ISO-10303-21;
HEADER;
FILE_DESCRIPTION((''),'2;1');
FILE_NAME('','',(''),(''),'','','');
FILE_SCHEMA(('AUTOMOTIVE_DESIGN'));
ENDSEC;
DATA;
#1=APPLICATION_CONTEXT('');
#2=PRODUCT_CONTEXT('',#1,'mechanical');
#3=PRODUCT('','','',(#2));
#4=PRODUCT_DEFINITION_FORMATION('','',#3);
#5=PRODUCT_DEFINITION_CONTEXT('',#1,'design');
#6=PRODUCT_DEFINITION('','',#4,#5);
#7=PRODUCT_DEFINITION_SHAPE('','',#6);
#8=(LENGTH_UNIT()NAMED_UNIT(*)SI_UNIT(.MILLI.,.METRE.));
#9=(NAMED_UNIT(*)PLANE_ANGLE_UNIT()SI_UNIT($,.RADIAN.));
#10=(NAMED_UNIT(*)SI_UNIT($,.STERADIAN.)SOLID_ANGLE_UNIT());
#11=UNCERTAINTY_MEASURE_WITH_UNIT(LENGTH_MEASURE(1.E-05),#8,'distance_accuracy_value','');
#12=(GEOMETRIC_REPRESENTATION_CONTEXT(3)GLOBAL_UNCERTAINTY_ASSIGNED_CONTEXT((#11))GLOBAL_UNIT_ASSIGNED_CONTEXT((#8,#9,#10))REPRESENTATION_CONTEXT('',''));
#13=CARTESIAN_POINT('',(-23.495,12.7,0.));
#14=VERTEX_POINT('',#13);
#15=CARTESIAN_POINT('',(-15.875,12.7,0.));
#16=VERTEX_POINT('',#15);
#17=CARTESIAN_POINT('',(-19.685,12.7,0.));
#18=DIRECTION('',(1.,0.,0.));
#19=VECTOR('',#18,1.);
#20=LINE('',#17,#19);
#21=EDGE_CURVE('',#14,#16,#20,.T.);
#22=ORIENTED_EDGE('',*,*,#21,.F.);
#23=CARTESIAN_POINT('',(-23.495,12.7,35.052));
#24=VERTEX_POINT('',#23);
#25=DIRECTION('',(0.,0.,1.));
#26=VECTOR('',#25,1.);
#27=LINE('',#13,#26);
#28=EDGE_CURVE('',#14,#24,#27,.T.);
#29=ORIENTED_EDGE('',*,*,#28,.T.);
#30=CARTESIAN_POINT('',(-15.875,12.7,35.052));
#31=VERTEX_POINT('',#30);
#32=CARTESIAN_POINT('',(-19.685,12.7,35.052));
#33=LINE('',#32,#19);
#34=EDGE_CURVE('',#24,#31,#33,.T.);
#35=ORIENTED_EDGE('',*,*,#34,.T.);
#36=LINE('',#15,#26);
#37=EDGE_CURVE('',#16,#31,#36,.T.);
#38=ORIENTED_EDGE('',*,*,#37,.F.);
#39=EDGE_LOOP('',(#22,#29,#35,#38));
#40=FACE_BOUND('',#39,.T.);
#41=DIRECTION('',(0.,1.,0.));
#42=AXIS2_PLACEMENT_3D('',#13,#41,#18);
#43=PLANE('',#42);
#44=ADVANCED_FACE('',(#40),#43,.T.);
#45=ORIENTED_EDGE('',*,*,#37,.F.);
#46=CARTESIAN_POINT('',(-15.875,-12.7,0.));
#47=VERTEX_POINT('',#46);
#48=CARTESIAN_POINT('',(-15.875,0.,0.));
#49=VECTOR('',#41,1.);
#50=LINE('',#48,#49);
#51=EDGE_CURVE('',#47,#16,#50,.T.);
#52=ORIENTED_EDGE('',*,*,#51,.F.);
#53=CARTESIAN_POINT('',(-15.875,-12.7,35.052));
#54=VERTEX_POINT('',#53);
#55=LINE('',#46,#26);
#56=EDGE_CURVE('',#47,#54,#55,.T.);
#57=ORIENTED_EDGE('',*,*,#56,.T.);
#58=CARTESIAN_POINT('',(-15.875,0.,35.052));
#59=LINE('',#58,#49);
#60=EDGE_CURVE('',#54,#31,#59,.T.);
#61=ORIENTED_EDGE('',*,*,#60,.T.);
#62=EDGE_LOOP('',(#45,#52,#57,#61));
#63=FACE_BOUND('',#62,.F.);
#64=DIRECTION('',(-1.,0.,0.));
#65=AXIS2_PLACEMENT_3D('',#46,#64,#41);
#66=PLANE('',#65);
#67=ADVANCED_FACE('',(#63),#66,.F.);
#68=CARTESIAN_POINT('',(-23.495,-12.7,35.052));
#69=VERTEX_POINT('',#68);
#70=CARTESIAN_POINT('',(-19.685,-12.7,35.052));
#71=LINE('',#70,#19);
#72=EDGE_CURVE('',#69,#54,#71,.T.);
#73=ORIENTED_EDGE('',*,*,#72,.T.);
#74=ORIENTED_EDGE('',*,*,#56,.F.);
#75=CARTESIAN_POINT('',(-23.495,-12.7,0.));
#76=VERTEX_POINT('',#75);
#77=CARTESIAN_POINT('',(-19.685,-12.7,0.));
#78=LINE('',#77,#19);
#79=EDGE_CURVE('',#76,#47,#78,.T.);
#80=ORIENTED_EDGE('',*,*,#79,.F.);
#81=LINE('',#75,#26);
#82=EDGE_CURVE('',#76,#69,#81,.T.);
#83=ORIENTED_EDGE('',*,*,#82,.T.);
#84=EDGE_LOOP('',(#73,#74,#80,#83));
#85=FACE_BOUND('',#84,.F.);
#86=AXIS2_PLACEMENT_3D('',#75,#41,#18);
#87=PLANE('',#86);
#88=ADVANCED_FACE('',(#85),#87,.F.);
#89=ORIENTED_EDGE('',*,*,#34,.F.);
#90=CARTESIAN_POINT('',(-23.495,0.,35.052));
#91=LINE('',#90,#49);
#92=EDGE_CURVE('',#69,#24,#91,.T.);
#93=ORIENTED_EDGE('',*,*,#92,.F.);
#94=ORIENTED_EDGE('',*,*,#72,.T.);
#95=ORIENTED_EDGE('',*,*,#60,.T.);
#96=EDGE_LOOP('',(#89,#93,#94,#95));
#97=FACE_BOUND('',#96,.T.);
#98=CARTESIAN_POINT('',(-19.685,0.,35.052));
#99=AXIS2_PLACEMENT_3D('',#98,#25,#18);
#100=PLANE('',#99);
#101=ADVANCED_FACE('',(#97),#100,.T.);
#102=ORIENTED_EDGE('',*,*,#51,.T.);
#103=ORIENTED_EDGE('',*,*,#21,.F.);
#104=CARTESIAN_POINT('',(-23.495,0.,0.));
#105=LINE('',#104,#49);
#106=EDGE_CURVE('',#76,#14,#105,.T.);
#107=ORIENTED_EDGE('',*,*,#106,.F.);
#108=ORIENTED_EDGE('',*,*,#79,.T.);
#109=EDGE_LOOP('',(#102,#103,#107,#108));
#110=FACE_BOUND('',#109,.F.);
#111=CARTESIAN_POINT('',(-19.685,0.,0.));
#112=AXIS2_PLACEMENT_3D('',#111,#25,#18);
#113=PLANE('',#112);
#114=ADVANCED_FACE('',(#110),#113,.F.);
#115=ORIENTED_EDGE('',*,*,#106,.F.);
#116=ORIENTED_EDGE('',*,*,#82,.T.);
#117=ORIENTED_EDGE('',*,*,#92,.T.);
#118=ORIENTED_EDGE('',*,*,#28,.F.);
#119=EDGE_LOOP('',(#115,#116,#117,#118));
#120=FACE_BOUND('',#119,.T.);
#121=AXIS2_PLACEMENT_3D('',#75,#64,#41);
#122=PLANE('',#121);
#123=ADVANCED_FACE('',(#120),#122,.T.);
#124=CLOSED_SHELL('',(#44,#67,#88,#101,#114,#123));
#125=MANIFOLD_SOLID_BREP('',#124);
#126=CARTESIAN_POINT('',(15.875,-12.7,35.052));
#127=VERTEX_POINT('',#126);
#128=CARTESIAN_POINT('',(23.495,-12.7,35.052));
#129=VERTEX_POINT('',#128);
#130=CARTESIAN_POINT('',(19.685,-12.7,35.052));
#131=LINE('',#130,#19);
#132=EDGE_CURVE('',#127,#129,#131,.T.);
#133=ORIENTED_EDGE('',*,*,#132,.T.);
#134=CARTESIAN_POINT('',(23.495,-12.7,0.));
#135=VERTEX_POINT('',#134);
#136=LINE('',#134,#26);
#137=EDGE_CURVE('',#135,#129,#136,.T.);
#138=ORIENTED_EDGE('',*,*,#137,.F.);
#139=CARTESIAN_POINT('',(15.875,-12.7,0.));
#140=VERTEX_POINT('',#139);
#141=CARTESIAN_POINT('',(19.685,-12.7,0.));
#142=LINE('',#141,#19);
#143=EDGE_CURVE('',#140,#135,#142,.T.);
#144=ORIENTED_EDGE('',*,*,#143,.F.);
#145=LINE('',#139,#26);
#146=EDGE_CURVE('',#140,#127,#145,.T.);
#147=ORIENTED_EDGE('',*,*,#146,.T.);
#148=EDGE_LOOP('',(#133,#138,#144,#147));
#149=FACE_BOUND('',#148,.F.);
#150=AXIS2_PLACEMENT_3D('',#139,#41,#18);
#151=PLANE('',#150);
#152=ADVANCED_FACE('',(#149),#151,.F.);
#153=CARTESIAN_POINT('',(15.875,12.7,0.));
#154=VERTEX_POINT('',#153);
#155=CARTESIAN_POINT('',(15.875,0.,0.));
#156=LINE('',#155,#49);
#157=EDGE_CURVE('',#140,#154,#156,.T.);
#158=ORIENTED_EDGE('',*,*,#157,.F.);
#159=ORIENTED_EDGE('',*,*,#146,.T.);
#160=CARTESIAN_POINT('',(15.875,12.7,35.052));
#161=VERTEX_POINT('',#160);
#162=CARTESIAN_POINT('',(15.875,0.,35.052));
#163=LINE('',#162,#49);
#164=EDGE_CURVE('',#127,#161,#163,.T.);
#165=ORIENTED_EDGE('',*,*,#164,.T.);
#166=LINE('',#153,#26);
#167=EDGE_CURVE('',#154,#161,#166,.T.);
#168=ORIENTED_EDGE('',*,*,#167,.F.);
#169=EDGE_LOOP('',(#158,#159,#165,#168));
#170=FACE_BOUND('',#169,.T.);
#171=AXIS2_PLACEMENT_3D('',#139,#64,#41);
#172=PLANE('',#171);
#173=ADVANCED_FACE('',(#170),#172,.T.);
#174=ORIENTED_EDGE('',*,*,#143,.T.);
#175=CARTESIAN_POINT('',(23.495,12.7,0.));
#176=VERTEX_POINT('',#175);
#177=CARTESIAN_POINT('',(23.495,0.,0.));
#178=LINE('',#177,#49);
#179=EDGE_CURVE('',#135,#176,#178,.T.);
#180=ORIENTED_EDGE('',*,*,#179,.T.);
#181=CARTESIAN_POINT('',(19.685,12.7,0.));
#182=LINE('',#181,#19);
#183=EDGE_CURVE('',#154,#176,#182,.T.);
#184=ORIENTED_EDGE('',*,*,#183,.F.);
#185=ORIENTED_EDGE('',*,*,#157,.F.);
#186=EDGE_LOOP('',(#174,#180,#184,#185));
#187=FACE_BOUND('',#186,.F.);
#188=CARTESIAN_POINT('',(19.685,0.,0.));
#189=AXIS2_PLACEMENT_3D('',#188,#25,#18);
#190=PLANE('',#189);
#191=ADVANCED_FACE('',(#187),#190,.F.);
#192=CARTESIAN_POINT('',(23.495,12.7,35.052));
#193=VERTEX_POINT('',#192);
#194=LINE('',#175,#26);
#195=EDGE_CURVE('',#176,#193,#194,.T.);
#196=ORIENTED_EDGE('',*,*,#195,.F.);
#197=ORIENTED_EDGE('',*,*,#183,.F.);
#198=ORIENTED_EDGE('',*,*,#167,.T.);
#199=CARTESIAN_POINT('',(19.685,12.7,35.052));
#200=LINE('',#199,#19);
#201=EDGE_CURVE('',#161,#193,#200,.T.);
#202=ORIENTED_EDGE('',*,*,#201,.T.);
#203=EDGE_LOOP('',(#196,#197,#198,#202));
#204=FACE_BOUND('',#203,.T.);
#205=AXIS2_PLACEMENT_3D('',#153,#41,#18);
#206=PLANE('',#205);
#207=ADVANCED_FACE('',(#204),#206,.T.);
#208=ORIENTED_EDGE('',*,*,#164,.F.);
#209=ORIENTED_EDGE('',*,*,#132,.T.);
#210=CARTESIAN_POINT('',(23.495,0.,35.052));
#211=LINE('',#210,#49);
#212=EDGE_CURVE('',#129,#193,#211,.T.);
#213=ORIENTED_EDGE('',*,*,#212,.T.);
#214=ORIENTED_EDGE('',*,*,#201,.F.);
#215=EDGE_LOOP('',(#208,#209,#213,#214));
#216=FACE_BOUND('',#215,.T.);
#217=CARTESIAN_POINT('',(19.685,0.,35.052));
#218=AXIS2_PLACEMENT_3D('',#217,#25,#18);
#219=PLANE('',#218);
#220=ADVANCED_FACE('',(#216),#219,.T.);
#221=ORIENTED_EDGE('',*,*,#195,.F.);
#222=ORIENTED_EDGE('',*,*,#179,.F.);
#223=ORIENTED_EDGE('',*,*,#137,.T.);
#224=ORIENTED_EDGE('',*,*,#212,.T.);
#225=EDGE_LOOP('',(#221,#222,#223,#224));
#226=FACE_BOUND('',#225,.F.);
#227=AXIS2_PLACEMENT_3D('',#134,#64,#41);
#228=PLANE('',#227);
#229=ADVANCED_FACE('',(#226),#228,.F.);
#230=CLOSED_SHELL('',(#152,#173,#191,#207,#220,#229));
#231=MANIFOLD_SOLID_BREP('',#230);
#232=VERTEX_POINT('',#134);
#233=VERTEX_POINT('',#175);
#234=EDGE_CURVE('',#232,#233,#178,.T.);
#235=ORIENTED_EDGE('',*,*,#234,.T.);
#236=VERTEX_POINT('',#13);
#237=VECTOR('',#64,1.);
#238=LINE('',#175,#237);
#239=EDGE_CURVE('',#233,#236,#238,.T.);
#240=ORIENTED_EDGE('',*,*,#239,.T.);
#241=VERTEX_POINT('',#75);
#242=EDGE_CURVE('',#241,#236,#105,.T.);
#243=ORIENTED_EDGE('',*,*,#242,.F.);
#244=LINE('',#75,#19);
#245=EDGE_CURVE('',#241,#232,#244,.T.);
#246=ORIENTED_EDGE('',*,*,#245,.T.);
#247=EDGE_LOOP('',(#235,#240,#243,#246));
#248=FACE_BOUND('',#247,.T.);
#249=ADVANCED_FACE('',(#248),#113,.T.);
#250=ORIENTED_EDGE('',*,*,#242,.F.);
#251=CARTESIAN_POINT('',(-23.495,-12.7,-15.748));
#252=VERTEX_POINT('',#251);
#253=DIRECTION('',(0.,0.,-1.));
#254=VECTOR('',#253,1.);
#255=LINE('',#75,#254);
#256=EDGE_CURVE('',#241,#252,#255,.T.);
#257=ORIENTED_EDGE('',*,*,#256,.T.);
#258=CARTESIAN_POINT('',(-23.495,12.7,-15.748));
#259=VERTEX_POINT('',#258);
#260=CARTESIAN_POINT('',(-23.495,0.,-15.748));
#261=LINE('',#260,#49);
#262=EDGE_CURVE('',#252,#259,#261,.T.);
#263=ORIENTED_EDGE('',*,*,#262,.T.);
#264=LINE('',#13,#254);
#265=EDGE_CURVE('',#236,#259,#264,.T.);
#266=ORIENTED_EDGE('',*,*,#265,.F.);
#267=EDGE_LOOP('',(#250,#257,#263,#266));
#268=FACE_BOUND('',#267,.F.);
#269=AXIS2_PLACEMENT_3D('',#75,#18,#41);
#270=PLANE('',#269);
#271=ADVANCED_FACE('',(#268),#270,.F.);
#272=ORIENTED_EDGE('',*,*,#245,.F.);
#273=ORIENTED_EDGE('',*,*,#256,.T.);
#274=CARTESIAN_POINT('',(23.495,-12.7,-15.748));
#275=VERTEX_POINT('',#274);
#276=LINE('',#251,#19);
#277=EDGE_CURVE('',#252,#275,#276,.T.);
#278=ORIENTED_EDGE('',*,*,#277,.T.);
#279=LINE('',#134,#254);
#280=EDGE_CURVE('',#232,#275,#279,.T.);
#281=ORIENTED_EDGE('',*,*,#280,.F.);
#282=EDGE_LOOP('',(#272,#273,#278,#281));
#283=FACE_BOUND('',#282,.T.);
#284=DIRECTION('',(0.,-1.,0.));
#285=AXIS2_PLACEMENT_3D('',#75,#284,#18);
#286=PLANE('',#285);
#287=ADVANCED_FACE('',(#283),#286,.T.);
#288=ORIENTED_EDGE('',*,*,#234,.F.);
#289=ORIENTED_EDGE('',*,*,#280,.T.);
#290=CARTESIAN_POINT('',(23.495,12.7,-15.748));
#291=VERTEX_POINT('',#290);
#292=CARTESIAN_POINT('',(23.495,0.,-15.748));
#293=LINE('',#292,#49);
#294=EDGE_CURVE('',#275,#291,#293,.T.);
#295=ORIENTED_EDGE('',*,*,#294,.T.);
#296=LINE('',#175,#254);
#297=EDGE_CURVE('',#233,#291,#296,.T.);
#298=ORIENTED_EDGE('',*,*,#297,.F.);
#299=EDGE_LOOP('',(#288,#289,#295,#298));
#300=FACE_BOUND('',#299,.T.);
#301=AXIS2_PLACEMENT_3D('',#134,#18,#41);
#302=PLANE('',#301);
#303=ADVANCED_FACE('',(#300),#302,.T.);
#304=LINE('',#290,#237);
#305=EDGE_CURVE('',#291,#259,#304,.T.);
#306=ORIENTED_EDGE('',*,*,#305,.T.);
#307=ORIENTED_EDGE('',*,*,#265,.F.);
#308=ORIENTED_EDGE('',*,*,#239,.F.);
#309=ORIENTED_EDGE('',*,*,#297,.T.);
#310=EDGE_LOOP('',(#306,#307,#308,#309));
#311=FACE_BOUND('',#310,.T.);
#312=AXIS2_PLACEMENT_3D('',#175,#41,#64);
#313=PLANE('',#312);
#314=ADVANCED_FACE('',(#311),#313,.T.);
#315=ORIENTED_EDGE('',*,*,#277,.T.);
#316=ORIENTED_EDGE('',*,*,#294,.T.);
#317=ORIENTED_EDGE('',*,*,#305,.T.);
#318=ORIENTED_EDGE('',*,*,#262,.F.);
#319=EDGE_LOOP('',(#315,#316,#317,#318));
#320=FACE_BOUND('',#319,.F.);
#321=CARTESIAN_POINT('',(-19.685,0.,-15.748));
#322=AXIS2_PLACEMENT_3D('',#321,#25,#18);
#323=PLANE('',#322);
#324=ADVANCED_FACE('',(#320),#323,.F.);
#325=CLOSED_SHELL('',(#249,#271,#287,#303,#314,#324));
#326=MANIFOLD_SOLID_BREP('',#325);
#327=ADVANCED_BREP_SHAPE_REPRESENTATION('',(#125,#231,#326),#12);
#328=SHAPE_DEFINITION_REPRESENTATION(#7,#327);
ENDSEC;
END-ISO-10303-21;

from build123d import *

# Parameters (mm, degrees)
F0_W     = 7.62
F0_H     = 25.4
F1_DEPTH = 35.052
F0_W_2   = 31.75
F2_DEPTH = 15.748


with BuildPart() as f1:
    # F0 (on Top) → F1 (new body)
    with BuildSketch(Plane.XY):
        with Locations((-19.685, 0)):
            Rectangle(F0_W, F0_H)
        with Locations((19.685, 0)):
            Rectangle(F0_W, F0_H)
    extrude(amount=F1_DEPTH)


with BuildPart() as f2:
    # F0 (on Top) → F2 (new body)
    with BuildSketch(Plane.XY):
        with Locations((-19.685, 0)):
            Rectangle(F0_W, F0_H)
        with Locations((19.685, 0)):
            Rectangle(F0_W, F0_H)
        Rectangle(F0_W_2, F0_H)
    extrude(amount=-F2_DEPTH)


solid = Compound([f1.part, f2.part])
